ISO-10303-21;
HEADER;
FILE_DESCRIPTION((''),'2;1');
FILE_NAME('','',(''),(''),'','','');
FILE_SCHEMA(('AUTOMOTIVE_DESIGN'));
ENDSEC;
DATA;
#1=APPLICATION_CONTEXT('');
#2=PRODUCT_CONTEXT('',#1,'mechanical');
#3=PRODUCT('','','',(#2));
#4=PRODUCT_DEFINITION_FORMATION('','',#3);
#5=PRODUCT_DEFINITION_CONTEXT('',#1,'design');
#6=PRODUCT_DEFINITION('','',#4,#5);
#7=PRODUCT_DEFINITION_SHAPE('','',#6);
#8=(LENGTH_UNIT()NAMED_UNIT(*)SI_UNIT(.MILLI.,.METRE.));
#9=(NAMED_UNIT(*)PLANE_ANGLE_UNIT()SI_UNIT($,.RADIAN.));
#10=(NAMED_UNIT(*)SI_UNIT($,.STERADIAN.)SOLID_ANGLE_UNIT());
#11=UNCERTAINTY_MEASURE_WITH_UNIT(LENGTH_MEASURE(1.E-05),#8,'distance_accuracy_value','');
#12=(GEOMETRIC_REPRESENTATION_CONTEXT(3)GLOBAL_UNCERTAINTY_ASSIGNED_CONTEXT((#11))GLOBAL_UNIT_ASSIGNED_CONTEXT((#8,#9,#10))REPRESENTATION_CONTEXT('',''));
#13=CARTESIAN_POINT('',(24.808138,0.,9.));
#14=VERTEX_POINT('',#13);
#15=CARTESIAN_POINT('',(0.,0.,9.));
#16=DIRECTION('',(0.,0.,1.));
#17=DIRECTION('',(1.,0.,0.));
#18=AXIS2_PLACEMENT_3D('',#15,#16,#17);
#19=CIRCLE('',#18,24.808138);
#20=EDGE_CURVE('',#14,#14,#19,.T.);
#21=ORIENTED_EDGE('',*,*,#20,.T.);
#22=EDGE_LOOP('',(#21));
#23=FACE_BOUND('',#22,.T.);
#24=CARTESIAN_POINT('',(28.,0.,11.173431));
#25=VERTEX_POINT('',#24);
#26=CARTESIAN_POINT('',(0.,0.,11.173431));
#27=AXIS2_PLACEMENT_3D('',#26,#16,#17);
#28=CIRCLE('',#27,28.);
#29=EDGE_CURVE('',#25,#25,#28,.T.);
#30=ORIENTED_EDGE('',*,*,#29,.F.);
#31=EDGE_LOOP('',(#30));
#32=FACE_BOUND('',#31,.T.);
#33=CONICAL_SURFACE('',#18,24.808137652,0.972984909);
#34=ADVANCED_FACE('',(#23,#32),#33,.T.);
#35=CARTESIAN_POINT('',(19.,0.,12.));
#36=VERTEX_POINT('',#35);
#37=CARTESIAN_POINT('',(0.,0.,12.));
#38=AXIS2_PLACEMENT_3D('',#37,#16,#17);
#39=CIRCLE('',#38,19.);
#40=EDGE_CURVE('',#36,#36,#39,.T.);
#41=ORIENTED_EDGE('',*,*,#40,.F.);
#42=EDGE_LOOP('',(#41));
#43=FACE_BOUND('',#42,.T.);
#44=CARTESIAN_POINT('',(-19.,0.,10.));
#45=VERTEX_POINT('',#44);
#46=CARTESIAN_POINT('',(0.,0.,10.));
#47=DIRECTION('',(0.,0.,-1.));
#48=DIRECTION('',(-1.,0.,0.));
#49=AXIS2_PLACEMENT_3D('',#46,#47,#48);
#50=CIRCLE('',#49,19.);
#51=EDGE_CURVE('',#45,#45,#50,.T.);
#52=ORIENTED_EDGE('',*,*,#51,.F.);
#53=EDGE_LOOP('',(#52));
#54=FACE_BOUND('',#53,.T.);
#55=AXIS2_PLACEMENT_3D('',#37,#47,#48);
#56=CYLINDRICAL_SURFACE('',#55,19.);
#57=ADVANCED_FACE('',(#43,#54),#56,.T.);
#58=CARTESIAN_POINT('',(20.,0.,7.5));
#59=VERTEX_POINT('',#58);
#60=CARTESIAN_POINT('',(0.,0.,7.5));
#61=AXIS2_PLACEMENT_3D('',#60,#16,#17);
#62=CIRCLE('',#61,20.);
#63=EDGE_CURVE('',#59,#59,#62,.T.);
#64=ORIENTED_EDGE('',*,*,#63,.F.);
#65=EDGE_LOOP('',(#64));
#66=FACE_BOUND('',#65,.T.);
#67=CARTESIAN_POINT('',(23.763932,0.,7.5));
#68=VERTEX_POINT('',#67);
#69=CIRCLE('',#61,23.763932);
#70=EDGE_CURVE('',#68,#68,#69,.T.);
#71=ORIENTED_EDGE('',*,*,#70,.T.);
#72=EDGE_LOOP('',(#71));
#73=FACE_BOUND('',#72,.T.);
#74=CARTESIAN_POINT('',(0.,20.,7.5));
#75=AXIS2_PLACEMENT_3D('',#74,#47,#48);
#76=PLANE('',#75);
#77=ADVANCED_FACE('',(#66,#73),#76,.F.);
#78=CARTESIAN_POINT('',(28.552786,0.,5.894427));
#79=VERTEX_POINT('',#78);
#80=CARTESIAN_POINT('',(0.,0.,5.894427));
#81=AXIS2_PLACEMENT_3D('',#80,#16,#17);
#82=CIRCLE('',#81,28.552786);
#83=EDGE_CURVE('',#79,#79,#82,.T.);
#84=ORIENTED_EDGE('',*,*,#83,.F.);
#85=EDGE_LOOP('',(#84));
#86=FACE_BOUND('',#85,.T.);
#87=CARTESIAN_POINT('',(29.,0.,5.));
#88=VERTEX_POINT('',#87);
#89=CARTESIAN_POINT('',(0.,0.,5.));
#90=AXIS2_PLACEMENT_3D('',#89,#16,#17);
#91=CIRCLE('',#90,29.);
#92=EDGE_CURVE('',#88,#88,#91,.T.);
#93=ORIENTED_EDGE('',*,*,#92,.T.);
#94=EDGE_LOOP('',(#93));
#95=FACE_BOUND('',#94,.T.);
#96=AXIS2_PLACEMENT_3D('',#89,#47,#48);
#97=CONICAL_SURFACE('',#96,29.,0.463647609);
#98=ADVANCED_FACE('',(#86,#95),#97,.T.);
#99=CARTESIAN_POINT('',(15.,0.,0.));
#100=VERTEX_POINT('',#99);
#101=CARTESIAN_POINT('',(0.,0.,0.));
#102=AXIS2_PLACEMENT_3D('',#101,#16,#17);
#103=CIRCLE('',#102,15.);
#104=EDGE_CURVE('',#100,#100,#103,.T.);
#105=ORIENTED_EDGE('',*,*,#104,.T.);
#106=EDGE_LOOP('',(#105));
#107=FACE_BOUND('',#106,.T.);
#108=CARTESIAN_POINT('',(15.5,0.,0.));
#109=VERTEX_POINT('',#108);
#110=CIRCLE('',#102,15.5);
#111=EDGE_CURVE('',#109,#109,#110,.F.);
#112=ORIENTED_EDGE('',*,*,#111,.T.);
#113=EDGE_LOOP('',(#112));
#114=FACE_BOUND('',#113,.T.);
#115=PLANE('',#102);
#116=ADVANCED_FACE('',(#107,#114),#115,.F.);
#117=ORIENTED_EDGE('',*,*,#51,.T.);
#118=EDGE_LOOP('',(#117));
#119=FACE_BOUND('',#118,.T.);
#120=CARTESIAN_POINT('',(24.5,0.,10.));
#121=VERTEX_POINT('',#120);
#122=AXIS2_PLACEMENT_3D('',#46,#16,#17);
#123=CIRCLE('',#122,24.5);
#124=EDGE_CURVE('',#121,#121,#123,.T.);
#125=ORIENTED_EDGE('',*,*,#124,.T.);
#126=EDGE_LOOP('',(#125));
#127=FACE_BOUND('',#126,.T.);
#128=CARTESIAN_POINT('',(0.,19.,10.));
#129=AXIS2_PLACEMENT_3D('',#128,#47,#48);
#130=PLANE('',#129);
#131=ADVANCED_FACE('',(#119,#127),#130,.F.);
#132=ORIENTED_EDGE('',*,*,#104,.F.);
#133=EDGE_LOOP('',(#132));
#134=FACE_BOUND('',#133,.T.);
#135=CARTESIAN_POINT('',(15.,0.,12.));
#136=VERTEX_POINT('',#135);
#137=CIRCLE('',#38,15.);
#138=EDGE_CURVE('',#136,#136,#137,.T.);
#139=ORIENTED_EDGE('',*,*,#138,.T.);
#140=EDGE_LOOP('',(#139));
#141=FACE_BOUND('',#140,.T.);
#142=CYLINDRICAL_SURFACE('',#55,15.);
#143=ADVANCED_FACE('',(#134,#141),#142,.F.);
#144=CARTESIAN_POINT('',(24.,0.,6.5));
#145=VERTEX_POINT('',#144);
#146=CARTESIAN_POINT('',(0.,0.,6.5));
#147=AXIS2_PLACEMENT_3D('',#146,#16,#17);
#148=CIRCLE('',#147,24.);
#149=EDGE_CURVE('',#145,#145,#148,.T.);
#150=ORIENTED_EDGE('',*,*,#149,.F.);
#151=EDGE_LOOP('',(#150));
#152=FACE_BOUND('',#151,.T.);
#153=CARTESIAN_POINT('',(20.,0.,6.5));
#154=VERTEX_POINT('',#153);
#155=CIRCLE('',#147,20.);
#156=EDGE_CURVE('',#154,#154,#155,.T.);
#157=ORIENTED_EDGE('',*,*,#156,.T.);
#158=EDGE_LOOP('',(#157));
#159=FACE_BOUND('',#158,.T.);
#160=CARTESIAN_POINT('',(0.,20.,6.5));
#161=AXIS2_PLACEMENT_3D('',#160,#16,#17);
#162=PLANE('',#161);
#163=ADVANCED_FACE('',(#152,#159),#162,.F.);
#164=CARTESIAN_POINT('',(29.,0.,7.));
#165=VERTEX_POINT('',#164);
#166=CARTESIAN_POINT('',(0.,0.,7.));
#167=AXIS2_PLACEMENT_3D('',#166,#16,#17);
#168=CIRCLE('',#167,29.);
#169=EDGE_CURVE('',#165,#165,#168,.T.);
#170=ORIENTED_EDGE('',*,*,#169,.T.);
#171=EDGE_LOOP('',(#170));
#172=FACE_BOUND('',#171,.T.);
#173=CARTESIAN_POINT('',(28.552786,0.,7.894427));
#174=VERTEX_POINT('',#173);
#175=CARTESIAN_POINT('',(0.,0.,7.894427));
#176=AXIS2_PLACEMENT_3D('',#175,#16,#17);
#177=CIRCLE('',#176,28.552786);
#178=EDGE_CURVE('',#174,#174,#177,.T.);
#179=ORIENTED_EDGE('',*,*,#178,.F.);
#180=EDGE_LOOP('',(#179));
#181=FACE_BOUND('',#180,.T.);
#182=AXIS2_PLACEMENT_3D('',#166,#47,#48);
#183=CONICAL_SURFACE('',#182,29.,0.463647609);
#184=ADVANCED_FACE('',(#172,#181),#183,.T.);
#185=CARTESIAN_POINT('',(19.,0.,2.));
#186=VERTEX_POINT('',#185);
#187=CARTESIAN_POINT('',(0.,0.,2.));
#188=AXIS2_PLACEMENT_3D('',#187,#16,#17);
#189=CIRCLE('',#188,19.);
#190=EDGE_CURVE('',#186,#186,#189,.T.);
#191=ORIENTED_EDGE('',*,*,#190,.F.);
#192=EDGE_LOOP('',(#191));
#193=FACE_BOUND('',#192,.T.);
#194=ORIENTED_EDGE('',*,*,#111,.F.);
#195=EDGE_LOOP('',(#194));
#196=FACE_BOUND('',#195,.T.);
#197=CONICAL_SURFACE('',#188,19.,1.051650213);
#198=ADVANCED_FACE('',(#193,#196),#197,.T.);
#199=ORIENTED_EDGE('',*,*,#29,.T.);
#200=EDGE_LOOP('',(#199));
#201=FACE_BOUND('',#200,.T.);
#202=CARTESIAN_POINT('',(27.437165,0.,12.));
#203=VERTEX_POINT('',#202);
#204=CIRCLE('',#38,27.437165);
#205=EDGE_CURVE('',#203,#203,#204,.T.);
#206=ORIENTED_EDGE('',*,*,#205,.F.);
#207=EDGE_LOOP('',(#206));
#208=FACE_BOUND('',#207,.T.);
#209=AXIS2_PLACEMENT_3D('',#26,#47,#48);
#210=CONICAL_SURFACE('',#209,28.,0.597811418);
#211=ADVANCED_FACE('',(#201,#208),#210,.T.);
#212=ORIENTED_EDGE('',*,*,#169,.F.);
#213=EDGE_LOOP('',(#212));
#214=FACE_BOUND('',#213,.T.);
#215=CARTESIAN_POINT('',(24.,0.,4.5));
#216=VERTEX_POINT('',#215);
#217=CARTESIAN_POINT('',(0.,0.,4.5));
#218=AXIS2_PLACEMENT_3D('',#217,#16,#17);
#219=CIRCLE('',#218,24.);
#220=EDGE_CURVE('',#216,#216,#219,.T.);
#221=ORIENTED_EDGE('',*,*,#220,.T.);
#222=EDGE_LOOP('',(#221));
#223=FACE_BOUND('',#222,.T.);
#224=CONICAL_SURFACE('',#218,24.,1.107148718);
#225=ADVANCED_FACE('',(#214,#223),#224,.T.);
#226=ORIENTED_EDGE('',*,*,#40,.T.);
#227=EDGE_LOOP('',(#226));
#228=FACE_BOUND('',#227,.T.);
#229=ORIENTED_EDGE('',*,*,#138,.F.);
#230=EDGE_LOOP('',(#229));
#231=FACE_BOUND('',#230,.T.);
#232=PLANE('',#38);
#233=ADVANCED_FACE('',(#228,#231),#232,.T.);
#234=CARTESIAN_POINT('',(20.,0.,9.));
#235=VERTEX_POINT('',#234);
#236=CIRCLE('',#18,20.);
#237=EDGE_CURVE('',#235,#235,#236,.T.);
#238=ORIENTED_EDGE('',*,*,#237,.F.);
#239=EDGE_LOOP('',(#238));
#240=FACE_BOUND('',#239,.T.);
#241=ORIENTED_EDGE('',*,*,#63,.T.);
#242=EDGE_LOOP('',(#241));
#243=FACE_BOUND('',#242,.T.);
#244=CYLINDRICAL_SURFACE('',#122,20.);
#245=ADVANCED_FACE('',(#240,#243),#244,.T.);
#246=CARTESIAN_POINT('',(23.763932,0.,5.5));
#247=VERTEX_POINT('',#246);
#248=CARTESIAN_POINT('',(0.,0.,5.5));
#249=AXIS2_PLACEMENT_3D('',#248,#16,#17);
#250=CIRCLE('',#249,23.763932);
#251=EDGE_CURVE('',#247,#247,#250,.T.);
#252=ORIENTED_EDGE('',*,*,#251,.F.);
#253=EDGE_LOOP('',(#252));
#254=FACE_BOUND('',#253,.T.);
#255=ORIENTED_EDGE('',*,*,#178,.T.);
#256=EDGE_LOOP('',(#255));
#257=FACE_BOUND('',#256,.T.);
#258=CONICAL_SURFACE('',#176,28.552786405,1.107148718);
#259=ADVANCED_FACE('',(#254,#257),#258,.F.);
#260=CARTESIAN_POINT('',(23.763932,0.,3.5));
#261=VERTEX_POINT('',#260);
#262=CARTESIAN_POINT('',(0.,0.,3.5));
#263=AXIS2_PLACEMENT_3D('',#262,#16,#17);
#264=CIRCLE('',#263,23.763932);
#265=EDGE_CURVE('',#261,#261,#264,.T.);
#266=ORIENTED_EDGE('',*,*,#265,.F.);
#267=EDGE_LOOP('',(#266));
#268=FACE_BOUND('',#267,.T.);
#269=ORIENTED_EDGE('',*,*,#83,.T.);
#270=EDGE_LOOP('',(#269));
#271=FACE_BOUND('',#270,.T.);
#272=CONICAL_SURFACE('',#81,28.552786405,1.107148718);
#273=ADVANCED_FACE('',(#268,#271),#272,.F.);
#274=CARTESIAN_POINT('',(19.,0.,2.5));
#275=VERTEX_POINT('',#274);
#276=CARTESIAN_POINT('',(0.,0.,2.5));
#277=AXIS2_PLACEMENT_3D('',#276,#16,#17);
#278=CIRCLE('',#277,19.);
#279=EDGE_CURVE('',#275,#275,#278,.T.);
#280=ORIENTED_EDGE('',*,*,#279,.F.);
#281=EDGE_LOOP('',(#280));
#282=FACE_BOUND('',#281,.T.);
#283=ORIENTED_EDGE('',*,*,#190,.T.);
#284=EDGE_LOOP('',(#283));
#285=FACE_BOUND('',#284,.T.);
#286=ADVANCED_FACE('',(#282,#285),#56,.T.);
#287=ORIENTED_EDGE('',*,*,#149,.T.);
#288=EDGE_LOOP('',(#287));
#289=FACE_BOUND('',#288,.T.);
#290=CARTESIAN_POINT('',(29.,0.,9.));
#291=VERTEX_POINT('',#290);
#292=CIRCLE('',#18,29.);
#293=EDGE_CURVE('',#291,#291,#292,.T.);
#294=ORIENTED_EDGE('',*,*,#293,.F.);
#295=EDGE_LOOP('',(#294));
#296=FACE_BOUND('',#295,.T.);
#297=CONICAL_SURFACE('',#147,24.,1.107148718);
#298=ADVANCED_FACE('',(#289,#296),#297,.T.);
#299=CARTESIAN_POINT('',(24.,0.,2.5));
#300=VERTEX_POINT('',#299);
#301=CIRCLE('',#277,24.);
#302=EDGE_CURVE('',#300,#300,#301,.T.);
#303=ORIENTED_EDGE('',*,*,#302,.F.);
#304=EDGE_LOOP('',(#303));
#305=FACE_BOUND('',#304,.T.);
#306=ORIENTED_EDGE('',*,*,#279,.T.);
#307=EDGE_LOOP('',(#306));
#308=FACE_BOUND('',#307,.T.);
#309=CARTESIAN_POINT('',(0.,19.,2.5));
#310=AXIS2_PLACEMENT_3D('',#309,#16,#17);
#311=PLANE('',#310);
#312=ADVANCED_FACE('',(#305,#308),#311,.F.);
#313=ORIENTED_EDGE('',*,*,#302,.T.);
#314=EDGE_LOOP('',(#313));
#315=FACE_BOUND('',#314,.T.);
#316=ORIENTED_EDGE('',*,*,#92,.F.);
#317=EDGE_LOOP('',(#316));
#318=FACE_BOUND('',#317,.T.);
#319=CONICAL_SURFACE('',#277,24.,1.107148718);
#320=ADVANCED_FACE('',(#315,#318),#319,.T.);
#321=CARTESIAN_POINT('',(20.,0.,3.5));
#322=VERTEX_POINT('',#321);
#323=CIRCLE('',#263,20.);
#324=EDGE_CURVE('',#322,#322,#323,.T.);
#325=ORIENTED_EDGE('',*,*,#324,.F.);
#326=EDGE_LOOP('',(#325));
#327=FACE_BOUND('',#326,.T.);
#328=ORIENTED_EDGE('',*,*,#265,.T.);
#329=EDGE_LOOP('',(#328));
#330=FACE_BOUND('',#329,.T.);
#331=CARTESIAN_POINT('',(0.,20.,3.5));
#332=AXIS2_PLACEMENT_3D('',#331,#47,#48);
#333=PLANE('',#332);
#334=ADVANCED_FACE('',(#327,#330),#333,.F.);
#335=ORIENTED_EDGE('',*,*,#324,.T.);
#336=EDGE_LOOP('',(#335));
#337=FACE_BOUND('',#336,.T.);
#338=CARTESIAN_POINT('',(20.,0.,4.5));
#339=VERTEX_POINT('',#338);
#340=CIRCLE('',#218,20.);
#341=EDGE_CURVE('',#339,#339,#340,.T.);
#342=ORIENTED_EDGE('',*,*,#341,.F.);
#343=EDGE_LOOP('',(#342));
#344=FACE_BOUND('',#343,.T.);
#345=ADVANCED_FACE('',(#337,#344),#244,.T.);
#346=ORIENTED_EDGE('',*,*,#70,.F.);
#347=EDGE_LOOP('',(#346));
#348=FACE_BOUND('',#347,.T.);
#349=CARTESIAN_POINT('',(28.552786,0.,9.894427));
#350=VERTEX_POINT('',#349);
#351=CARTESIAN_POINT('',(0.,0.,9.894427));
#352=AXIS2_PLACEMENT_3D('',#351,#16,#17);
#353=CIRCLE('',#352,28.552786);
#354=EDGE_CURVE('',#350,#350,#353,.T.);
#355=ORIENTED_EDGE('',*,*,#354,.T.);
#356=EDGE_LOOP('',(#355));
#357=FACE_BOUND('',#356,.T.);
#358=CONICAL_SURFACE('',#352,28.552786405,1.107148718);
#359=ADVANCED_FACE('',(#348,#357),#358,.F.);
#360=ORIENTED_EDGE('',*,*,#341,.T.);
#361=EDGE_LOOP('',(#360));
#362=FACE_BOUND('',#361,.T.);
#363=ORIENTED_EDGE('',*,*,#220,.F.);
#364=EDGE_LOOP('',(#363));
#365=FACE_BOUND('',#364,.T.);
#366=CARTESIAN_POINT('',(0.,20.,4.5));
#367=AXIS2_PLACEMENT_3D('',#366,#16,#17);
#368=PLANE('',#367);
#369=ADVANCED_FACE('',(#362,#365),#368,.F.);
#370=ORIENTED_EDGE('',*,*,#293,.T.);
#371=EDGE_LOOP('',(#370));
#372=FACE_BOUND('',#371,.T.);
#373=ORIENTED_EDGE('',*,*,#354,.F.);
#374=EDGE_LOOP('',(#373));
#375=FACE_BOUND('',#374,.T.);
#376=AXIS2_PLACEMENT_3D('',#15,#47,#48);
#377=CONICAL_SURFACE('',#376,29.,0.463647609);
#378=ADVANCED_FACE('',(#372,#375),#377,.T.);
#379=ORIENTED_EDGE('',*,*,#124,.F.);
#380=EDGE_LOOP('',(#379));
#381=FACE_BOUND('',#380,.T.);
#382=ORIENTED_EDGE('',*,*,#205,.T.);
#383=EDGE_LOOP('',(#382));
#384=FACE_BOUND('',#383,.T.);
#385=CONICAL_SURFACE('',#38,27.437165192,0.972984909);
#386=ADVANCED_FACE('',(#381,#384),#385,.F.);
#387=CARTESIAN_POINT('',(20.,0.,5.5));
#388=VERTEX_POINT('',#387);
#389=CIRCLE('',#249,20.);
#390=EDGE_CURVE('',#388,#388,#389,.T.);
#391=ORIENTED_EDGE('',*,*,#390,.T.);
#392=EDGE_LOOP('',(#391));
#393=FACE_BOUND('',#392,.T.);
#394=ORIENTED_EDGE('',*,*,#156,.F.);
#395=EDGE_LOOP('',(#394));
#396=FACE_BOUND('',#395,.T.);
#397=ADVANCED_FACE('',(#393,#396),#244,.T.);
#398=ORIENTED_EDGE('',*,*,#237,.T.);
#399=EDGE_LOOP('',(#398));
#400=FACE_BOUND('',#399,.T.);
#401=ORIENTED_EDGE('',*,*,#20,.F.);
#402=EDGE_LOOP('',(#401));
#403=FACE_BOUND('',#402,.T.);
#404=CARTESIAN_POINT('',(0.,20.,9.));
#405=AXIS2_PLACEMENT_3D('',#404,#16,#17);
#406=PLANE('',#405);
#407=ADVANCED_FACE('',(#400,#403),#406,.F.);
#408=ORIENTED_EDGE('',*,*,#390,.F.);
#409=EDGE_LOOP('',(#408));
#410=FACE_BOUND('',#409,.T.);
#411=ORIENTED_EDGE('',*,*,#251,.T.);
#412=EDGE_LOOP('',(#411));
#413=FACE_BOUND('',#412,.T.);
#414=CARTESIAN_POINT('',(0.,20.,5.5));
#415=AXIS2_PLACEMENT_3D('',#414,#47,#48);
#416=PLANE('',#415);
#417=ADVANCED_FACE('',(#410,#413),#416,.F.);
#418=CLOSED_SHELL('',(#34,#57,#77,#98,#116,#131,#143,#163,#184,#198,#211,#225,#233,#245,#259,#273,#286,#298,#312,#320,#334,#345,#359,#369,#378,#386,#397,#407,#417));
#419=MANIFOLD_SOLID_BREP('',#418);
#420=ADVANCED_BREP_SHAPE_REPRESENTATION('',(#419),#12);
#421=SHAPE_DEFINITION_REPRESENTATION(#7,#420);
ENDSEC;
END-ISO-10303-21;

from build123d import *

# Parameters (mm, degrees)
ESBO_O1_R           = 19
ESBO_O1_R_2         = 15
CONTRA_CENTRO_DEPTH = 12
CHANFRO1_SIZE       = 3.5
CHANFRO1_SIZE2      = 2


with BuildPart() as part:
    # Esboço1 → CONTRA CENTRO (new body)
    with BuildSketch(Plane.XY):
        Circle(ESBO_O1_R)
        Circle(ESBO_O1_R_2, mode=Mode.SUBTRACT)
    extrude(amount=CONTRA_CENTRO_DEPTH)

    # Chanfro1
    chanfro1_edges = [part.edges().sort_by_distance(p)[0] for p in [
        (-19, 0, 0),
    ]]
    chanfro1_side = [part.faces().sort_by_distance(p)[0] for p in [
        (-18.462598846, 0, 0),
    ]]
    chamfer(chanfro1_edges, length=CHANFRO1_SIZE, length2=CHANFRO1_SIZE2, reference=chanfro1_side[0])

    # Esboço2 → AA26234 (revolve)
    with BuildSketch(Plane(origin=(0, 0, 0), x_dir=(0, 0, -1), z_dir=(1, 0, 0)), mode=Mode.PRIVATE) as aa26234_sk:
        Polygon((-2.5, 19), (-10, 19), (-10, 24.5), (-12, 27.437165192), (-11.173430596, 28), (-9, 24.808137652), (-9, 20), (-7.5, 20), (-7.5, 23.763932023), (-9.894427191, 28.552786405), (-9, 29), (-6.5, 24), (-6.5, 20), (-5.5, 20), (-5.5, 23.763932023), (-7.894427191, 28.552786405), (-7, 29), (-4.5, 24), (-4.5, 20), (-3.5, 20), (-3.5, 23.763932023), (-5.894427191, 28.552786405), (-5, 29), (-2.5, 24), align=None)
    revolve(aa26234_sk.sketch.rotate(Axis((0, 0, 10), (0, 0, -1)), 90), axis=Axis((0, 0, 10), (0, 0, -1)))


solid = part.part
